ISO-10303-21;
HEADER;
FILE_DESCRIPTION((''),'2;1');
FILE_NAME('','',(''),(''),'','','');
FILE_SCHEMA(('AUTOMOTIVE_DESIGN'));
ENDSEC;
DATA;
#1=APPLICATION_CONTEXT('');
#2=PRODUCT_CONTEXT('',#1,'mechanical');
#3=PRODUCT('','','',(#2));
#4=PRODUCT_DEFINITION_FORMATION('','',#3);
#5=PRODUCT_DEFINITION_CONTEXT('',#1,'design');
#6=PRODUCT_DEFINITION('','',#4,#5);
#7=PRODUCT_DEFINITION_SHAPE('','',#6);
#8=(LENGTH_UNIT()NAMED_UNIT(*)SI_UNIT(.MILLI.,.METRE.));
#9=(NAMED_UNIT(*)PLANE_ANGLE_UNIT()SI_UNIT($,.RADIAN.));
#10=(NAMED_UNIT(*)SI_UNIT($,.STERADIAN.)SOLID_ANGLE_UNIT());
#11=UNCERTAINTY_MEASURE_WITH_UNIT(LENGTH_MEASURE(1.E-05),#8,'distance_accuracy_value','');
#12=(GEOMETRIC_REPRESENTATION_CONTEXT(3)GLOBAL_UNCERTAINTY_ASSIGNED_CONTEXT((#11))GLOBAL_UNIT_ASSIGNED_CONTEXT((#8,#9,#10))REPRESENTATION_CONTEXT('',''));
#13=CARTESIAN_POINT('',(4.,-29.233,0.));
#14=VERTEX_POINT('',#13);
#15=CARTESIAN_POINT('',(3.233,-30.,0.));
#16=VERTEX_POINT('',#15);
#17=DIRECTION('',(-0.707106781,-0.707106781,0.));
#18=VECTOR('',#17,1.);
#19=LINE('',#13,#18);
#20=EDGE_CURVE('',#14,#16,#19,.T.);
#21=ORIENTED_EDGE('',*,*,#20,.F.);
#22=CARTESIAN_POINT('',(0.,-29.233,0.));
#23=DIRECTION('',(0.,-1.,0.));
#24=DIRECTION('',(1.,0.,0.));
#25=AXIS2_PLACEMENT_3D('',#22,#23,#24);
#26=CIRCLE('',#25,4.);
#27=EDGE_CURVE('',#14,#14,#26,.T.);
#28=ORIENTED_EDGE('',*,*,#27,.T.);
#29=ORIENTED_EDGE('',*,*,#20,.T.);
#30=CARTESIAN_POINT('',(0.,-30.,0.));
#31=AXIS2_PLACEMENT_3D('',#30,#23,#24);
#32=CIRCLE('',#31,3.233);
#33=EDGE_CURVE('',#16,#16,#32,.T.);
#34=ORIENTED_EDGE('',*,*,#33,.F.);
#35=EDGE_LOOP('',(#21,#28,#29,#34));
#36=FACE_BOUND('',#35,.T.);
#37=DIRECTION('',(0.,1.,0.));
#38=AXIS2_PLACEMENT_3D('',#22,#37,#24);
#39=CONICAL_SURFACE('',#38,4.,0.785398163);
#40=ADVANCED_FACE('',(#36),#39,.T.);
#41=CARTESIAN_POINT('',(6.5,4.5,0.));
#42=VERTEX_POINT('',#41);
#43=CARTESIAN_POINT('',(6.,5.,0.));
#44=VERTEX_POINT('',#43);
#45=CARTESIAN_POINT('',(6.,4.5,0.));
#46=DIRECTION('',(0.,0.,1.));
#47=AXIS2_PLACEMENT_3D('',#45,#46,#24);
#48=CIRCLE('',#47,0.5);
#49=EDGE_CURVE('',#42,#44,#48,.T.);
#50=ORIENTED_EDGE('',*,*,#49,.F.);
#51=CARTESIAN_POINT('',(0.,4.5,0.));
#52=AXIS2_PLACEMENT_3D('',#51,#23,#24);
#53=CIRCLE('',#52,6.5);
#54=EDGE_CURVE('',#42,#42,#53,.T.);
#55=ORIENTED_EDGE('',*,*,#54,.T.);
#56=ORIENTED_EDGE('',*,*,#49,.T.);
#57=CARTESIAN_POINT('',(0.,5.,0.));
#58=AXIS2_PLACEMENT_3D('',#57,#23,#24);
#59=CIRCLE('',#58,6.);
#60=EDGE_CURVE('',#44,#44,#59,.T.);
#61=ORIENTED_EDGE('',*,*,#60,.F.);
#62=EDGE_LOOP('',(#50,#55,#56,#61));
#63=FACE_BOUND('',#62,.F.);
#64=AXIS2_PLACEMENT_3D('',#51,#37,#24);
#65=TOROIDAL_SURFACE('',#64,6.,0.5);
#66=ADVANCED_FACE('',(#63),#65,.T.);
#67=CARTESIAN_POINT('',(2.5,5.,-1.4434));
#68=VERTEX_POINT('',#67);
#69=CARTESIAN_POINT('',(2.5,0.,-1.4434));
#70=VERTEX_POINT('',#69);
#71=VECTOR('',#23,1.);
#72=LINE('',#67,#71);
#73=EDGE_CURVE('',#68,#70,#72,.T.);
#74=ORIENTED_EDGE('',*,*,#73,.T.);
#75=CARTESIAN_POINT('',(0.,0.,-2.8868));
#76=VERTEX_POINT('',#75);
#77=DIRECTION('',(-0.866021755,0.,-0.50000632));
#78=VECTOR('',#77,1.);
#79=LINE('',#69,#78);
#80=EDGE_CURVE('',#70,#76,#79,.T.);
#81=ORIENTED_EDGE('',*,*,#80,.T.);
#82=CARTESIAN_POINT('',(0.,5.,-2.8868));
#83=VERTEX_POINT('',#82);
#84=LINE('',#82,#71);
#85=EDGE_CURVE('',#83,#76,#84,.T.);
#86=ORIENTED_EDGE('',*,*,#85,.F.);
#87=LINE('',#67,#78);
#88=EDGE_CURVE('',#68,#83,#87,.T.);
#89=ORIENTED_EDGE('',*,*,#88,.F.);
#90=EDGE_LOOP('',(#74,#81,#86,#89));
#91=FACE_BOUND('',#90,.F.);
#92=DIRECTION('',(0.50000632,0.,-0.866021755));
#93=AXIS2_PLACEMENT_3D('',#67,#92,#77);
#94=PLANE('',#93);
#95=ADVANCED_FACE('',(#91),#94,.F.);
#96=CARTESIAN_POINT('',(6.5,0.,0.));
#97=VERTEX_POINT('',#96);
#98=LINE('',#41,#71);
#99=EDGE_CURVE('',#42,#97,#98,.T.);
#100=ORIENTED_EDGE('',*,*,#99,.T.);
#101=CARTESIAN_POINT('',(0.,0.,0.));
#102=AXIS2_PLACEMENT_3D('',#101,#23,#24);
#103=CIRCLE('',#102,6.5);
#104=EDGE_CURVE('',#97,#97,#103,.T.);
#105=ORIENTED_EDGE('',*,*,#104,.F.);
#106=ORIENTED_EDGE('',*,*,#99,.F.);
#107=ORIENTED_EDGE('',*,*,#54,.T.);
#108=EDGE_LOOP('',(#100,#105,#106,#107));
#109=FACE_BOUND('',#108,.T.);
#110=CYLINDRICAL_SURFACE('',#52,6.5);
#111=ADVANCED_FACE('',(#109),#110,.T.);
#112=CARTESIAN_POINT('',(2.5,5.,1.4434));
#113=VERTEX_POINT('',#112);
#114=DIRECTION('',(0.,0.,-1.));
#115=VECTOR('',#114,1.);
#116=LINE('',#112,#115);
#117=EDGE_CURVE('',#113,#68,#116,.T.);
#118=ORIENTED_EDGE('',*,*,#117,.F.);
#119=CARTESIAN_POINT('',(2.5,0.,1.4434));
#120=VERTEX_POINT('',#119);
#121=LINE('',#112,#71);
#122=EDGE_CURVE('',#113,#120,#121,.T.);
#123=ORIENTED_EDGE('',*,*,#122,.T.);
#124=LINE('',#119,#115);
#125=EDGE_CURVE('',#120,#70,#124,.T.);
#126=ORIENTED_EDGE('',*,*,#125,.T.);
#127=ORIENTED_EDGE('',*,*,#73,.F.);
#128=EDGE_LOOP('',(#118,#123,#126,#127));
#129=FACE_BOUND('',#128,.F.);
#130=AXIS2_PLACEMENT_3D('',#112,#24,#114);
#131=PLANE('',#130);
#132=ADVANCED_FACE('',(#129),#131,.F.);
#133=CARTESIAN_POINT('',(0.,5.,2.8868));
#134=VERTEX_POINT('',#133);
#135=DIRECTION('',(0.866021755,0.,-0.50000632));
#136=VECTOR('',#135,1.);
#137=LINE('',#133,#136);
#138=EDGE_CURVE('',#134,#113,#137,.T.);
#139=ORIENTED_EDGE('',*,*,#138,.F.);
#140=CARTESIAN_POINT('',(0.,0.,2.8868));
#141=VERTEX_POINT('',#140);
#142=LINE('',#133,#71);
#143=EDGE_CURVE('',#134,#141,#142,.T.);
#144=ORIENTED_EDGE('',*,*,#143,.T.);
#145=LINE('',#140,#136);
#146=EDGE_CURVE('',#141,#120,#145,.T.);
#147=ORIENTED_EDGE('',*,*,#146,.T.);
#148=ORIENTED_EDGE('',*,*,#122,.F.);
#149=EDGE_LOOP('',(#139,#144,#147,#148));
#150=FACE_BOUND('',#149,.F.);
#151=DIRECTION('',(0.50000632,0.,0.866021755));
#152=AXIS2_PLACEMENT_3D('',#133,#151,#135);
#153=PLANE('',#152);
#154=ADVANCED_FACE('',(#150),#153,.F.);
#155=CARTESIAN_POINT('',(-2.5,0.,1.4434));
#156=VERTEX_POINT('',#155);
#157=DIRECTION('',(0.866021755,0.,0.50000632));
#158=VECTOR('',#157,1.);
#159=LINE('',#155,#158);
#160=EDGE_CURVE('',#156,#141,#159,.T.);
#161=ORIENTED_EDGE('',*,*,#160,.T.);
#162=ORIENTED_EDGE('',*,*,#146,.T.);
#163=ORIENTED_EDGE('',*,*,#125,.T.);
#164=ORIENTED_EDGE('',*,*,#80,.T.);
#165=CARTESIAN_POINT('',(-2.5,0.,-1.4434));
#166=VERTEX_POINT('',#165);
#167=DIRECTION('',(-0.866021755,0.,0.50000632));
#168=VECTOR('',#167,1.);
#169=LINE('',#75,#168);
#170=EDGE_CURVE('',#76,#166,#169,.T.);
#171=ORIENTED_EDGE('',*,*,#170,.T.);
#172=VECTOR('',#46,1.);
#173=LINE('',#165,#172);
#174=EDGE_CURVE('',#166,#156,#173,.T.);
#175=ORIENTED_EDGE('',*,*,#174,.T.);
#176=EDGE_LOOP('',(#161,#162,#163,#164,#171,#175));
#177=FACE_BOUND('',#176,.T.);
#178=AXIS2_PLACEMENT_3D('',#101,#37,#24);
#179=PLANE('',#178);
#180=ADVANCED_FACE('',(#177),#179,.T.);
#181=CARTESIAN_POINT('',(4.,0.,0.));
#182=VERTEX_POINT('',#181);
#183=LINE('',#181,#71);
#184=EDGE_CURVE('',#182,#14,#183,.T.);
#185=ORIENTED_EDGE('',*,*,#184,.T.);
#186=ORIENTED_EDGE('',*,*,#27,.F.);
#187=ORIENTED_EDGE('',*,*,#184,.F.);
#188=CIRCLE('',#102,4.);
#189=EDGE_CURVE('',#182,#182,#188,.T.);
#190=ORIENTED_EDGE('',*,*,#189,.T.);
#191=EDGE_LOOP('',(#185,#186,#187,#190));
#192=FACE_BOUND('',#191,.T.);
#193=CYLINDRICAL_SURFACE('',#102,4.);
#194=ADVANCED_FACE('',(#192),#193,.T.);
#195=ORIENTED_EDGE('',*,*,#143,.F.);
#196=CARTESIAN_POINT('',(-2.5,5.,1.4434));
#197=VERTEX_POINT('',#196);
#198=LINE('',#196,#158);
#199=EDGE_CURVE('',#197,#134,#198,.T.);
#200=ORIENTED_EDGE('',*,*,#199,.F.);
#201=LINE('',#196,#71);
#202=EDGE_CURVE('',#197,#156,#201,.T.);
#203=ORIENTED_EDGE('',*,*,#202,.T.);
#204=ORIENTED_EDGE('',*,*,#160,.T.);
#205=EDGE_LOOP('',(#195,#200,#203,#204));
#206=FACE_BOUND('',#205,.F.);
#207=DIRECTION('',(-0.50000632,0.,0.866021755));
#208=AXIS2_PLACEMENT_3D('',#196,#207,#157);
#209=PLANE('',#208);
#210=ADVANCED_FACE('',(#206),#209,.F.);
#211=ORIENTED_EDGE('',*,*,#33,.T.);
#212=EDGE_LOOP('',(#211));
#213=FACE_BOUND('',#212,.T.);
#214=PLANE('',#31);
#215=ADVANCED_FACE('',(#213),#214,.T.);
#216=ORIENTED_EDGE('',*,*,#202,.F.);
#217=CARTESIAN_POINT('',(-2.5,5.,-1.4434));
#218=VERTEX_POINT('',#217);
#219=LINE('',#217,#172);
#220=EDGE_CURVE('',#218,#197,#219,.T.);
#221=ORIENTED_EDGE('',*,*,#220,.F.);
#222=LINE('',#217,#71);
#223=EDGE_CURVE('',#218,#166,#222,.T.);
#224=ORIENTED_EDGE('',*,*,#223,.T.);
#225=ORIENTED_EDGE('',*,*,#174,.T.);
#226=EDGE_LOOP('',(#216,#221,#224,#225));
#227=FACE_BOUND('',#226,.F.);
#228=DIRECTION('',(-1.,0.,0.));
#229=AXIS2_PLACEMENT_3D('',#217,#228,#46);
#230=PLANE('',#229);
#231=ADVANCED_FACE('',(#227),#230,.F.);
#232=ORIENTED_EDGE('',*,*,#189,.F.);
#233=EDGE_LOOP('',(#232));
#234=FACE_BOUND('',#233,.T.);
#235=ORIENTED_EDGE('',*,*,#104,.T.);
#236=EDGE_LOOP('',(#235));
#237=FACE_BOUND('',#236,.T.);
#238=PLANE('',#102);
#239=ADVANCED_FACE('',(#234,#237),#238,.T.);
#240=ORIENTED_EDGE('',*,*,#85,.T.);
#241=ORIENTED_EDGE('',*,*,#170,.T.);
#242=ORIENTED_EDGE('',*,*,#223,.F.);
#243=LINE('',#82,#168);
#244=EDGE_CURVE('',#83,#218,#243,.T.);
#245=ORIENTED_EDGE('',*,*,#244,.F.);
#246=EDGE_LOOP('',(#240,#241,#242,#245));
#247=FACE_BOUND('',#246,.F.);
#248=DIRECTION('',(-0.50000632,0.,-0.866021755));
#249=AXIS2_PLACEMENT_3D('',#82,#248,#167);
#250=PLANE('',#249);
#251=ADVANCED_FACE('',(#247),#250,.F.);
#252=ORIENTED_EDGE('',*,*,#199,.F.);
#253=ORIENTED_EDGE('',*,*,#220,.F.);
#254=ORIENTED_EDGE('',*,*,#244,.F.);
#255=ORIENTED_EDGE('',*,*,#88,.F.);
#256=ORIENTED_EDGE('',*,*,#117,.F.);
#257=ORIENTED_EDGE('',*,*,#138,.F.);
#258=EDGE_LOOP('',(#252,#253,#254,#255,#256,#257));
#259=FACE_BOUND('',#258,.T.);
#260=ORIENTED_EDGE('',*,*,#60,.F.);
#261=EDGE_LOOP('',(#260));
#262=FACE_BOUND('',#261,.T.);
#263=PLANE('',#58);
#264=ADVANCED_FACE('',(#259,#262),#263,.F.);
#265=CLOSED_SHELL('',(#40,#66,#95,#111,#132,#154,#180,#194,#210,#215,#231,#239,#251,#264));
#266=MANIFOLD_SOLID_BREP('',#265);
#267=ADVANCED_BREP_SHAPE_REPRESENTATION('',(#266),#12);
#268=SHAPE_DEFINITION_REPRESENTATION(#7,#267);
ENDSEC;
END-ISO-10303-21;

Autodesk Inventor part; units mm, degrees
ref_plane "Deaktiviert_NICHT_mehrverwenden_Zyl__Schraube_DIN_EN_ISO_4762_XY" through (0, 0, 0) normal (0, 1, 0) x (1, 0, 0)
ref_plane "Deaktiviert_NICHT_mehrverwenden_Zyl__Schraube_DIN_EN_ISO_4762_YZ" through (0, 0, 0) normal (1, 0, 0) x (0, 0, -1)
ref_plane "Deaktiviert_NICHT_mehrverwenden_Zyl__Schraube_DIN_EN_ISO_4762_ZX" through (0, 0, 0) normal (0, 0, -1) x (0, 1, 0)
sketch "Skizze_1" plane through (0, 0, 0) normal (0, 0, 1) x (1, 0, 0)
  line L0 (0, -30) -> (0, 0)
  line L1 (0, 0) -> (4, 0)
  line L2 (4, 0) -> (4, -29.233)
  line L3 (4, -29.233) -> (3.233, -30)
  line L4 (3.233, -30) -> (0, -30)
  line L5 (0, -30) -> (0, 0)
revolve "Revolution1" add sketch "Skizze_1" angle 360 about axis through (0, -30, 0) along (0, -1, 0)
thread "Thread1" size "M8x1.25" class "6g" standard "ISO Metric profile" length 29 offset 1
sketch "Skizze_2" plane through (0, 0, 0) normal (0, 0, 1) x (1, 0, 0)
  line L0 (0, 0) -> (0, 5)
  line L1 (0, 5) -> (6, 5)
  arc A0 (6.5, 4.5) -> (6, 5) centre (6, 4.5) ccw
  line L2 (6.5, 4.5) -> (6.5, 0)
  line L3 (6.5, 0) -> (0, 0)
  line L4 (0, 0) -> (0, 5)
revolve "Revolution2" add sketch "Skizze_2" angle 360 about axis through (0, 0, 0) along (0, -1, 0)
sketch "Skizze_3" plane through (0, 5, 0) normal (0, 1, 0) x (1, 0, 0)
  line L0 (-2.5, -1.4434) -> (0, -2.8868)
  line L1 (0, -2.8868) -> (2.5, -1.4434)
  line L2 (2.5, -1.4434) -> (2.5, 1.4434)
  line L3 (2.5, 1.4434) -> (0, 2.8868)
  line L4 (0, 2.8868) -> (-2.5, 1.4434)
  line L5 (-2.5, 1.4434) -> (-2.5, -1.4434)
extrude "Extrusion1" cut sketch "Skizze_3" against normal blind 5
ref_plane "EP_XY" through (0, 0, 0) normal (0, 1, 0) x (1, 0, 0)
ref_plane "EP_YZ" through (0, 0, 0) normal (1, 0, 0) x (0, 0, -1)
ref_plane "EP_ZX" through (0, 0, 0) normal (0, 0, -1) x (0, 1, 0)
ref_plane "EP_Schraube_XY" through (0, 0, 0) normal (0, 1, 0) x (1, 0, 0)
ref_plane "EP_Schraube_YZ" through (0, 0, 0) normal (1, 0, 0) x (0, 0, -1)
ref_plane "EP_Schraube_ZX" through (0, 0, 0) normal (0, 0, -1) x (0, 1, 0)
properties part number "Zyl.Schr-M8x30_Stahl_X094960"
